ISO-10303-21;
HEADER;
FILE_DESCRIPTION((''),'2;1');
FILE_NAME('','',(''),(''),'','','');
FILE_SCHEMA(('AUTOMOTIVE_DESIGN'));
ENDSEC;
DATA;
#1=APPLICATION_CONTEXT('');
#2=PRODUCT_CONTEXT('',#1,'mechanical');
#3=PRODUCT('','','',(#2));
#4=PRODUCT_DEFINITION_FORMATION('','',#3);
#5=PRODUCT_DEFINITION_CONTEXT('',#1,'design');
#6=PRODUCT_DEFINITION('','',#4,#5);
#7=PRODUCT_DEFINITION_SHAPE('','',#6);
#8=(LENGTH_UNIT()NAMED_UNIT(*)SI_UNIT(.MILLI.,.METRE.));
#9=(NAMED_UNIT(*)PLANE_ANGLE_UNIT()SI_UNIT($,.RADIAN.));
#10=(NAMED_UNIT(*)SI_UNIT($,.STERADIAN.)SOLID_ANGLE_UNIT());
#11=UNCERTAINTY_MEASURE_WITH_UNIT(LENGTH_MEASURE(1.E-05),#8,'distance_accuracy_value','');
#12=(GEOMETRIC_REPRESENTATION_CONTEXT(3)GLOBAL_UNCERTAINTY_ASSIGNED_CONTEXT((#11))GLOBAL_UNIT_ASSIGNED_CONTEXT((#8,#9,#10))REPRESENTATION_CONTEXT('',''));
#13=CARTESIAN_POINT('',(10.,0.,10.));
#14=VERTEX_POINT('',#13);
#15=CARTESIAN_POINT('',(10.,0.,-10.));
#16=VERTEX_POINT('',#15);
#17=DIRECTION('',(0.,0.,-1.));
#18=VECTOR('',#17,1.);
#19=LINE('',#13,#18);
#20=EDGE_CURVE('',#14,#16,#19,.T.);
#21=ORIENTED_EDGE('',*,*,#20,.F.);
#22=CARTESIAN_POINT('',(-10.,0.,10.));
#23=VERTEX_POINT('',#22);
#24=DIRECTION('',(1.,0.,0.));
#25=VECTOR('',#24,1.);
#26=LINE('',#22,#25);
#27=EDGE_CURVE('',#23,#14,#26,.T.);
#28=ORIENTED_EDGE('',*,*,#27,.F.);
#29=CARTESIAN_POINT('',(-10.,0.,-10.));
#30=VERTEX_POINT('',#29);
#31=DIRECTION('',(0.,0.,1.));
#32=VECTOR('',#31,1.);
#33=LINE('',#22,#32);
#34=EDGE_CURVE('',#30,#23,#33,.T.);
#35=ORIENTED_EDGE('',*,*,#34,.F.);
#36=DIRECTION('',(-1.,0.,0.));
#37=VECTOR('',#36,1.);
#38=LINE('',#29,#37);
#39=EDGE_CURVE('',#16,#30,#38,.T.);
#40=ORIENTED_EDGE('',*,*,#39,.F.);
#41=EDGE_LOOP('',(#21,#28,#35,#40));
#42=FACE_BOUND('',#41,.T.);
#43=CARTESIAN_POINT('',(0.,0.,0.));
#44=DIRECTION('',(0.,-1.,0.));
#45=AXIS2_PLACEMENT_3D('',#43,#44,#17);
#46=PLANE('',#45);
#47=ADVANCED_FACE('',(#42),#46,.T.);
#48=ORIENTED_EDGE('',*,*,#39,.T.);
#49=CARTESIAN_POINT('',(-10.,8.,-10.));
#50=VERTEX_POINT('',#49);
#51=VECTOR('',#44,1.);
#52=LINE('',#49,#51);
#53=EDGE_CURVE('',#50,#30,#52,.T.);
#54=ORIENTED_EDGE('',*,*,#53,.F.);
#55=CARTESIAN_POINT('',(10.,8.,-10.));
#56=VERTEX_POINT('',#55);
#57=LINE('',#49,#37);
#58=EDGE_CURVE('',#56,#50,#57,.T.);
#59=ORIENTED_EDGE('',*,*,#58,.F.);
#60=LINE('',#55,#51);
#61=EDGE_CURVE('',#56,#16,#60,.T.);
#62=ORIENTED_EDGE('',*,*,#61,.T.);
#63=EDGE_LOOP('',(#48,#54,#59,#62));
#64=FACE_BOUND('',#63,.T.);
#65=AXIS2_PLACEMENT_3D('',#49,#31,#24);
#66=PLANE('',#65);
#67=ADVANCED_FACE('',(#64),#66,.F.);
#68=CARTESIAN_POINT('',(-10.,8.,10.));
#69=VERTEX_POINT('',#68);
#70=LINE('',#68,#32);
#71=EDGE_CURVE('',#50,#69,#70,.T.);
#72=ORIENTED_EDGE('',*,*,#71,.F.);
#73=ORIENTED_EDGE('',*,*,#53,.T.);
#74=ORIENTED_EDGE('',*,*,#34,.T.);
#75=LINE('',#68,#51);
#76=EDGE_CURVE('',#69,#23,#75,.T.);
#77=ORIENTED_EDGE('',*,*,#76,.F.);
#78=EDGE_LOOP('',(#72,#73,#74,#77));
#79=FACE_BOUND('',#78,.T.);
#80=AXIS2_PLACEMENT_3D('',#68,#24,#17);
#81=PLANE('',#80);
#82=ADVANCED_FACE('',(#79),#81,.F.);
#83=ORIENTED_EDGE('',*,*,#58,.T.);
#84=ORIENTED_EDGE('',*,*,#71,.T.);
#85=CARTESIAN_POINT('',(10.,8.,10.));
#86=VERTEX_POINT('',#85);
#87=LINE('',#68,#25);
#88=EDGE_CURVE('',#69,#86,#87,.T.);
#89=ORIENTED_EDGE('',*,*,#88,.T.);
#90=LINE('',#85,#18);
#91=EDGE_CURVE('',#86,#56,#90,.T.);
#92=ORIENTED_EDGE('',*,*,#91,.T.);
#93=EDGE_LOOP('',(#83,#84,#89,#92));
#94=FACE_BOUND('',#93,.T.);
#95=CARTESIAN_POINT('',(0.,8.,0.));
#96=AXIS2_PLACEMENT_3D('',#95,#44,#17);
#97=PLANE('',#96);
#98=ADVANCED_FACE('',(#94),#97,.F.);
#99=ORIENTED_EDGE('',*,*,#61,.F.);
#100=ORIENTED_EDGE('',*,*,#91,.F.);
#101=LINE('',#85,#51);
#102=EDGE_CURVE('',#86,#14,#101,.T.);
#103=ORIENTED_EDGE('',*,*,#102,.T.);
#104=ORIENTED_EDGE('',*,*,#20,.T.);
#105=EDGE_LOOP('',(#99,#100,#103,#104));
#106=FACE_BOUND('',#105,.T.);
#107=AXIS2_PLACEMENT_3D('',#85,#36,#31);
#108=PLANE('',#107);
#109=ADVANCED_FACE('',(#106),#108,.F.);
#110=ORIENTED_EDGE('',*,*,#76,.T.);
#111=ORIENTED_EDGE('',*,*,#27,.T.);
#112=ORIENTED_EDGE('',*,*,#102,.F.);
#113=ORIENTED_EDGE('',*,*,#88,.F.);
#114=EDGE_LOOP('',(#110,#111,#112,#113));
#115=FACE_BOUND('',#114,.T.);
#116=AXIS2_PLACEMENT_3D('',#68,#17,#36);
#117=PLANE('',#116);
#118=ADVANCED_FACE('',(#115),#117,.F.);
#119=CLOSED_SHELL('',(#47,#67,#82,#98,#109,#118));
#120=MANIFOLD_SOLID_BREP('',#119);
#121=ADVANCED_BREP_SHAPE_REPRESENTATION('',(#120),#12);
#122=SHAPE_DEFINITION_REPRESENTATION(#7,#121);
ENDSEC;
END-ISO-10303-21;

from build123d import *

# Parameters (mm, degrees)
IZIM1_W                     = 20
IZIM1_H                     = 20
Y_KSEKLIK_EKSTR_ZYON1_DEPTH = 8


with BuildPart() as part:
    # Çizim1 → Yükseklik-Ekstrüzyon1 (new body)
    with BuildSketch(Plane(origin=(0, 0, 0), x_dir=(1, 0, 0), z_dir=(0, 1, 0))):
        Rectangle(IZIM1_W, IZIM1_H)
    extrude(amount=Y_KSEKLIK_EKSTR_ZYON1_DEPTH)


solid = part.part
